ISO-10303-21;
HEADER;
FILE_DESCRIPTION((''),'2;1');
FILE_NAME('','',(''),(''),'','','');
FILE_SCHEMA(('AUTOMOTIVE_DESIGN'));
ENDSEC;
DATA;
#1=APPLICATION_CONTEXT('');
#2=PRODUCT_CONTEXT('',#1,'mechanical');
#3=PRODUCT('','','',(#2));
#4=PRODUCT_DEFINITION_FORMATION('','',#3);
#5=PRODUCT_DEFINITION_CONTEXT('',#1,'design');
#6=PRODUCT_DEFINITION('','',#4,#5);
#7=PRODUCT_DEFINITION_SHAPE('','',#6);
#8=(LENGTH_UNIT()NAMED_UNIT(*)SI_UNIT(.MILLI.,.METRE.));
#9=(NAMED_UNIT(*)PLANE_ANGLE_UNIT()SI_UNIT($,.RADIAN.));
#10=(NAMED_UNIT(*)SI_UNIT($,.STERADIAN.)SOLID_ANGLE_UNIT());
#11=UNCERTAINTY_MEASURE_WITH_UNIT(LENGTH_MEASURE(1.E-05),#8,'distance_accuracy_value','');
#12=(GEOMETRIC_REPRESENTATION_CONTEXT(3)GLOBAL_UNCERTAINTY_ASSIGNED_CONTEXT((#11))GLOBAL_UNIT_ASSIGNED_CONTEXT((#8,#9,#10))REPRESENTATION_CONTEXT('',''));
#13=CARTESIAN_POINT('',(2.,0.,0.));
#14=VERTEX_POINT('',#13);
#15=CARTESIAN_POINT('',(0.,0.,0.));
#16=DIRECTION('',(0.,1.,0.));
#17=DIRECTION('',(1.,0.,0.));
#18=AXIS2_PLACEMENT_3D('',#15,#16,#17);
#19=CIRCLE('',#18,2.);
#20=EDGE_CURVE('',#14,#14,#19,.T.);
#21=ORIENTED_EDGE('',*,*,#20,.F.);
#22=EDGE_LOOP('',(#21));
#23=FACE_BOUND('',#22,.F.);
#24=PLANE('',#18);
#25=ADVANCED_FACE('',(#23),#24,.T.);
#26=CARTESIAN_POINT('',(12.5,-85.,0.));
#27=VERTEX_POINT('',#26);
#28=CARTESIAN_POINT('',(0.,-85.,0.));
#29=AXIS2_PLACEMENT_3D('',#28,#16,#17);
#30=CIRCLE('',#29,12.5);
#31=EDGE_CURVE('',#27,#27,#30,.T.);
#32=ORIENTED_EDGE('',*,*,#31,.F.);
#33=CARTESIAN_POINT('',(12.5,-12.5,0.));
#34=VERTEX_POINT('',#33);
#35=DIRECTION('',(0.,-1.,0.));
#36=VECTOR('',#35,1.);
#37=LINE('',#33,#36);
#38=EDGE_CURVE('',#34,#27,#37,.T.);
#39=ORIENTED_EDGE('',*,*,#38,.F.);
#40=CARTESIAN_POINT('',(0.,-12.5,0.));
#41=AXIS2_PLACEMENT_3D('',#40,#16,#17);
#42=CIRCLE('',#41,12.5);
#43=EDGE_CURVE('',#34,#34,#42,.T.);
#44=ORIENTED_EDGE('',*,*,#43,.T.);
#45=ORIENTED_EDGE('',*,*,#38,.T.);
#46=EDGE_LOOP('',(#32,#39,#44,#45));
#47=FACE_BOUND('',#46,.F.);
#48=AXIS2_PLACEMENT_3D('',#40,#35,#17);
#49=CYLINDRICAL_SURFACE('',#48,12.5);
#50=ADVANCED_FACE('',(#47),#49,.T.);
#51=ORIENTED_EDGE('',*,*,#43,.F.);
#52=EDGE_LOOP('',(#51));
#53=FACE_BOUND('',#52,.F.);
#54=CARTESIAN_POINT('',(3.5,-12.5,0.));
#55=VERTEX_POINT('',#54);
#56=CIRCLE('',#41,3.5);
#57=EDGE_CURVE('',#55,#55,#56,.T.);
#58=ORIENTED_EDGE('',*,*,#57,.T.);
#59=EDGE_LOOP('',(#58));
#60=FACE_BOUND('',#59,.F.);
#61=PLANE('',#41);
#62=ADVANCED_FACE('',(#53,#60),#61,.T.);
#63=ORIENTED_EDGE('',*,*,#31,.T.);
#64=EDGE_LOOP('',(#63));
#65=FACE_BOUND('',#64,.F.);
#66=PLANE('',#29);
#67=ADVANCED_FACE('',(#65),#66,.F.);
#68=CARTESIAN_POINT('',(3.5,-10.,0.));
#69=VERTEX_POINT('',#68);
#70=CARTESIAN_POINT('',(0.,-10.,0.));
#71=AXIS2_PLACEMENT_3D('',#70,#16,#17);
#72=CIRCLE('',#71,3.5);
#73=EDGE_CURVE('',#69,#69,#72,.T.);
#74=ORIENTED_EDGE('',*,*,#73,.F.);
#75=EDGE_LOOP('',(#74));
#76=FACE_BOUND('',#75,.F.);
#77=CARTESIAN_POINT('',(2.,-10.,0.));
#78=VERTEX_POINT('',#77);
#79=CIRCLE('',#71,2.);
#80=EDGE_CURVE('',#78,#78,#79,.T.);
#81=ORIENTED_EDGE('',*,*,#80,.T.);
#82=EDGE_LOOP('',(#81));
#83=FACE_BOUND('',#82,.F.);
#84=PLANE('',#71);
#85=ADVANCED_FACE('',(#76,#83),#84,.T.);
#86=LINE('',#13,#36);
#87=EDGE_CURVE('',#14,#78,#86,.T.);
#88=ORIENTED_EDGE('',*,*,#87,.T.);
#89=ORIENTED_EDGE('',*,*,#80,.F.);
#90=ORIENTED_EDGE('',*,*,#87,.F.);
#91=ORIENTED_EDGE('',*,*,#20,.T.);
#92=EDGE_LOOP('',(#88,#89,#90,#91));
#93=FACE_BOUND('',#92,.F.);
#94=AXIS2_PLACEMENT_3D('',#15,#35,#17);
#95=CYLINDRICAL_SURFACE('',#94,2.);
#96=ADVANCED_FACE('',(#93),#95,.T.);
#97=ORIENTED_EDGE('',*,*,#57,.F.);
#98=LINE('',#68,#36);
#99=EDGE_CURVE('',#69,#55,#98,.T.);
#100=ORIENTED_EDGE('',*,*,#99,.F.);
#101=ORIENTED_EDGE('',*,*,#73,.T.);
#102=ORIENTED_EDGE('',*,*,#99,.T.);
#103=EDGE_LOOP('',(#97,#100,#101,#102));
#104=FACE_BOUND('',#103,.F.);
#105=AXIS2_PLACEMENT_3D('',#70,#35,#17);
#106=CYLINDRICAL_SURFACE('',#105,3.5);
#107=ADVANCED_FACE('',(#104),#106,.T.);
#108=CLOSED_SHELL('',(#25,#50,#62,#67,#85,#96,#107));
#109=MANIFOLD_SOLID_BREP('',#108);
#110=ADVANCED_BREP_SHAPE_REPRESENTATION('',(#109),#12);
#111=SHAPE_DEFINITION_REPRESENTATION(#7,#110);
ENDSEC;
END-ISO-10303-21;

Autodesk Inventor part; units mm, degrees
ref_plane "YZ Plane" through (0, 0, 0) normal (1, 0, 0) x (0, 1, 0)
ref_plane "XZ Plane" through (0, 0, 0) normal (0, 1, 0) x (-1, 0, 0)
ref_plane "XY Plane" through (0, 0, 0) normal (0, 0, 1) x (1, 0, 0)
sketch "Sketch1" plane through (0, 0, 0) normal (0, 0, 1) x (1, 0, 0)
  line L0 (0, 0) -> (2, 0)
  line L1 (2, 0) -> (2, -10)
  line L2 (2, -10) -> (3.5, -10)
  line L3 (3.5, -10) -> (3.5, -12.5)
  line L4 (3.5, -12.5) -> (12.5, -12.5)
  line L5 (12.5, -12.5) -> (12.5, -85)
  line L6 (12.5, -85) -> (0, -85)
  line L7 (0, -85) -> (0, 0)
  line L8 (0, -102) -> (0, 17) projected
  dimension "d0" = 2
  dimension "d1" = 3.5
  dimension "d2" = 12.5
  dimension "d3" = 2.5
  dimension "d4" = 12.5
  dimension "d5" = 72.5
revolve "Revolution1" add sketch "Sketch1" angle 360 about axis through (0, -10, 0) along (0, 1, 0)
properties part number "motor" material "Aluminum 6061"
